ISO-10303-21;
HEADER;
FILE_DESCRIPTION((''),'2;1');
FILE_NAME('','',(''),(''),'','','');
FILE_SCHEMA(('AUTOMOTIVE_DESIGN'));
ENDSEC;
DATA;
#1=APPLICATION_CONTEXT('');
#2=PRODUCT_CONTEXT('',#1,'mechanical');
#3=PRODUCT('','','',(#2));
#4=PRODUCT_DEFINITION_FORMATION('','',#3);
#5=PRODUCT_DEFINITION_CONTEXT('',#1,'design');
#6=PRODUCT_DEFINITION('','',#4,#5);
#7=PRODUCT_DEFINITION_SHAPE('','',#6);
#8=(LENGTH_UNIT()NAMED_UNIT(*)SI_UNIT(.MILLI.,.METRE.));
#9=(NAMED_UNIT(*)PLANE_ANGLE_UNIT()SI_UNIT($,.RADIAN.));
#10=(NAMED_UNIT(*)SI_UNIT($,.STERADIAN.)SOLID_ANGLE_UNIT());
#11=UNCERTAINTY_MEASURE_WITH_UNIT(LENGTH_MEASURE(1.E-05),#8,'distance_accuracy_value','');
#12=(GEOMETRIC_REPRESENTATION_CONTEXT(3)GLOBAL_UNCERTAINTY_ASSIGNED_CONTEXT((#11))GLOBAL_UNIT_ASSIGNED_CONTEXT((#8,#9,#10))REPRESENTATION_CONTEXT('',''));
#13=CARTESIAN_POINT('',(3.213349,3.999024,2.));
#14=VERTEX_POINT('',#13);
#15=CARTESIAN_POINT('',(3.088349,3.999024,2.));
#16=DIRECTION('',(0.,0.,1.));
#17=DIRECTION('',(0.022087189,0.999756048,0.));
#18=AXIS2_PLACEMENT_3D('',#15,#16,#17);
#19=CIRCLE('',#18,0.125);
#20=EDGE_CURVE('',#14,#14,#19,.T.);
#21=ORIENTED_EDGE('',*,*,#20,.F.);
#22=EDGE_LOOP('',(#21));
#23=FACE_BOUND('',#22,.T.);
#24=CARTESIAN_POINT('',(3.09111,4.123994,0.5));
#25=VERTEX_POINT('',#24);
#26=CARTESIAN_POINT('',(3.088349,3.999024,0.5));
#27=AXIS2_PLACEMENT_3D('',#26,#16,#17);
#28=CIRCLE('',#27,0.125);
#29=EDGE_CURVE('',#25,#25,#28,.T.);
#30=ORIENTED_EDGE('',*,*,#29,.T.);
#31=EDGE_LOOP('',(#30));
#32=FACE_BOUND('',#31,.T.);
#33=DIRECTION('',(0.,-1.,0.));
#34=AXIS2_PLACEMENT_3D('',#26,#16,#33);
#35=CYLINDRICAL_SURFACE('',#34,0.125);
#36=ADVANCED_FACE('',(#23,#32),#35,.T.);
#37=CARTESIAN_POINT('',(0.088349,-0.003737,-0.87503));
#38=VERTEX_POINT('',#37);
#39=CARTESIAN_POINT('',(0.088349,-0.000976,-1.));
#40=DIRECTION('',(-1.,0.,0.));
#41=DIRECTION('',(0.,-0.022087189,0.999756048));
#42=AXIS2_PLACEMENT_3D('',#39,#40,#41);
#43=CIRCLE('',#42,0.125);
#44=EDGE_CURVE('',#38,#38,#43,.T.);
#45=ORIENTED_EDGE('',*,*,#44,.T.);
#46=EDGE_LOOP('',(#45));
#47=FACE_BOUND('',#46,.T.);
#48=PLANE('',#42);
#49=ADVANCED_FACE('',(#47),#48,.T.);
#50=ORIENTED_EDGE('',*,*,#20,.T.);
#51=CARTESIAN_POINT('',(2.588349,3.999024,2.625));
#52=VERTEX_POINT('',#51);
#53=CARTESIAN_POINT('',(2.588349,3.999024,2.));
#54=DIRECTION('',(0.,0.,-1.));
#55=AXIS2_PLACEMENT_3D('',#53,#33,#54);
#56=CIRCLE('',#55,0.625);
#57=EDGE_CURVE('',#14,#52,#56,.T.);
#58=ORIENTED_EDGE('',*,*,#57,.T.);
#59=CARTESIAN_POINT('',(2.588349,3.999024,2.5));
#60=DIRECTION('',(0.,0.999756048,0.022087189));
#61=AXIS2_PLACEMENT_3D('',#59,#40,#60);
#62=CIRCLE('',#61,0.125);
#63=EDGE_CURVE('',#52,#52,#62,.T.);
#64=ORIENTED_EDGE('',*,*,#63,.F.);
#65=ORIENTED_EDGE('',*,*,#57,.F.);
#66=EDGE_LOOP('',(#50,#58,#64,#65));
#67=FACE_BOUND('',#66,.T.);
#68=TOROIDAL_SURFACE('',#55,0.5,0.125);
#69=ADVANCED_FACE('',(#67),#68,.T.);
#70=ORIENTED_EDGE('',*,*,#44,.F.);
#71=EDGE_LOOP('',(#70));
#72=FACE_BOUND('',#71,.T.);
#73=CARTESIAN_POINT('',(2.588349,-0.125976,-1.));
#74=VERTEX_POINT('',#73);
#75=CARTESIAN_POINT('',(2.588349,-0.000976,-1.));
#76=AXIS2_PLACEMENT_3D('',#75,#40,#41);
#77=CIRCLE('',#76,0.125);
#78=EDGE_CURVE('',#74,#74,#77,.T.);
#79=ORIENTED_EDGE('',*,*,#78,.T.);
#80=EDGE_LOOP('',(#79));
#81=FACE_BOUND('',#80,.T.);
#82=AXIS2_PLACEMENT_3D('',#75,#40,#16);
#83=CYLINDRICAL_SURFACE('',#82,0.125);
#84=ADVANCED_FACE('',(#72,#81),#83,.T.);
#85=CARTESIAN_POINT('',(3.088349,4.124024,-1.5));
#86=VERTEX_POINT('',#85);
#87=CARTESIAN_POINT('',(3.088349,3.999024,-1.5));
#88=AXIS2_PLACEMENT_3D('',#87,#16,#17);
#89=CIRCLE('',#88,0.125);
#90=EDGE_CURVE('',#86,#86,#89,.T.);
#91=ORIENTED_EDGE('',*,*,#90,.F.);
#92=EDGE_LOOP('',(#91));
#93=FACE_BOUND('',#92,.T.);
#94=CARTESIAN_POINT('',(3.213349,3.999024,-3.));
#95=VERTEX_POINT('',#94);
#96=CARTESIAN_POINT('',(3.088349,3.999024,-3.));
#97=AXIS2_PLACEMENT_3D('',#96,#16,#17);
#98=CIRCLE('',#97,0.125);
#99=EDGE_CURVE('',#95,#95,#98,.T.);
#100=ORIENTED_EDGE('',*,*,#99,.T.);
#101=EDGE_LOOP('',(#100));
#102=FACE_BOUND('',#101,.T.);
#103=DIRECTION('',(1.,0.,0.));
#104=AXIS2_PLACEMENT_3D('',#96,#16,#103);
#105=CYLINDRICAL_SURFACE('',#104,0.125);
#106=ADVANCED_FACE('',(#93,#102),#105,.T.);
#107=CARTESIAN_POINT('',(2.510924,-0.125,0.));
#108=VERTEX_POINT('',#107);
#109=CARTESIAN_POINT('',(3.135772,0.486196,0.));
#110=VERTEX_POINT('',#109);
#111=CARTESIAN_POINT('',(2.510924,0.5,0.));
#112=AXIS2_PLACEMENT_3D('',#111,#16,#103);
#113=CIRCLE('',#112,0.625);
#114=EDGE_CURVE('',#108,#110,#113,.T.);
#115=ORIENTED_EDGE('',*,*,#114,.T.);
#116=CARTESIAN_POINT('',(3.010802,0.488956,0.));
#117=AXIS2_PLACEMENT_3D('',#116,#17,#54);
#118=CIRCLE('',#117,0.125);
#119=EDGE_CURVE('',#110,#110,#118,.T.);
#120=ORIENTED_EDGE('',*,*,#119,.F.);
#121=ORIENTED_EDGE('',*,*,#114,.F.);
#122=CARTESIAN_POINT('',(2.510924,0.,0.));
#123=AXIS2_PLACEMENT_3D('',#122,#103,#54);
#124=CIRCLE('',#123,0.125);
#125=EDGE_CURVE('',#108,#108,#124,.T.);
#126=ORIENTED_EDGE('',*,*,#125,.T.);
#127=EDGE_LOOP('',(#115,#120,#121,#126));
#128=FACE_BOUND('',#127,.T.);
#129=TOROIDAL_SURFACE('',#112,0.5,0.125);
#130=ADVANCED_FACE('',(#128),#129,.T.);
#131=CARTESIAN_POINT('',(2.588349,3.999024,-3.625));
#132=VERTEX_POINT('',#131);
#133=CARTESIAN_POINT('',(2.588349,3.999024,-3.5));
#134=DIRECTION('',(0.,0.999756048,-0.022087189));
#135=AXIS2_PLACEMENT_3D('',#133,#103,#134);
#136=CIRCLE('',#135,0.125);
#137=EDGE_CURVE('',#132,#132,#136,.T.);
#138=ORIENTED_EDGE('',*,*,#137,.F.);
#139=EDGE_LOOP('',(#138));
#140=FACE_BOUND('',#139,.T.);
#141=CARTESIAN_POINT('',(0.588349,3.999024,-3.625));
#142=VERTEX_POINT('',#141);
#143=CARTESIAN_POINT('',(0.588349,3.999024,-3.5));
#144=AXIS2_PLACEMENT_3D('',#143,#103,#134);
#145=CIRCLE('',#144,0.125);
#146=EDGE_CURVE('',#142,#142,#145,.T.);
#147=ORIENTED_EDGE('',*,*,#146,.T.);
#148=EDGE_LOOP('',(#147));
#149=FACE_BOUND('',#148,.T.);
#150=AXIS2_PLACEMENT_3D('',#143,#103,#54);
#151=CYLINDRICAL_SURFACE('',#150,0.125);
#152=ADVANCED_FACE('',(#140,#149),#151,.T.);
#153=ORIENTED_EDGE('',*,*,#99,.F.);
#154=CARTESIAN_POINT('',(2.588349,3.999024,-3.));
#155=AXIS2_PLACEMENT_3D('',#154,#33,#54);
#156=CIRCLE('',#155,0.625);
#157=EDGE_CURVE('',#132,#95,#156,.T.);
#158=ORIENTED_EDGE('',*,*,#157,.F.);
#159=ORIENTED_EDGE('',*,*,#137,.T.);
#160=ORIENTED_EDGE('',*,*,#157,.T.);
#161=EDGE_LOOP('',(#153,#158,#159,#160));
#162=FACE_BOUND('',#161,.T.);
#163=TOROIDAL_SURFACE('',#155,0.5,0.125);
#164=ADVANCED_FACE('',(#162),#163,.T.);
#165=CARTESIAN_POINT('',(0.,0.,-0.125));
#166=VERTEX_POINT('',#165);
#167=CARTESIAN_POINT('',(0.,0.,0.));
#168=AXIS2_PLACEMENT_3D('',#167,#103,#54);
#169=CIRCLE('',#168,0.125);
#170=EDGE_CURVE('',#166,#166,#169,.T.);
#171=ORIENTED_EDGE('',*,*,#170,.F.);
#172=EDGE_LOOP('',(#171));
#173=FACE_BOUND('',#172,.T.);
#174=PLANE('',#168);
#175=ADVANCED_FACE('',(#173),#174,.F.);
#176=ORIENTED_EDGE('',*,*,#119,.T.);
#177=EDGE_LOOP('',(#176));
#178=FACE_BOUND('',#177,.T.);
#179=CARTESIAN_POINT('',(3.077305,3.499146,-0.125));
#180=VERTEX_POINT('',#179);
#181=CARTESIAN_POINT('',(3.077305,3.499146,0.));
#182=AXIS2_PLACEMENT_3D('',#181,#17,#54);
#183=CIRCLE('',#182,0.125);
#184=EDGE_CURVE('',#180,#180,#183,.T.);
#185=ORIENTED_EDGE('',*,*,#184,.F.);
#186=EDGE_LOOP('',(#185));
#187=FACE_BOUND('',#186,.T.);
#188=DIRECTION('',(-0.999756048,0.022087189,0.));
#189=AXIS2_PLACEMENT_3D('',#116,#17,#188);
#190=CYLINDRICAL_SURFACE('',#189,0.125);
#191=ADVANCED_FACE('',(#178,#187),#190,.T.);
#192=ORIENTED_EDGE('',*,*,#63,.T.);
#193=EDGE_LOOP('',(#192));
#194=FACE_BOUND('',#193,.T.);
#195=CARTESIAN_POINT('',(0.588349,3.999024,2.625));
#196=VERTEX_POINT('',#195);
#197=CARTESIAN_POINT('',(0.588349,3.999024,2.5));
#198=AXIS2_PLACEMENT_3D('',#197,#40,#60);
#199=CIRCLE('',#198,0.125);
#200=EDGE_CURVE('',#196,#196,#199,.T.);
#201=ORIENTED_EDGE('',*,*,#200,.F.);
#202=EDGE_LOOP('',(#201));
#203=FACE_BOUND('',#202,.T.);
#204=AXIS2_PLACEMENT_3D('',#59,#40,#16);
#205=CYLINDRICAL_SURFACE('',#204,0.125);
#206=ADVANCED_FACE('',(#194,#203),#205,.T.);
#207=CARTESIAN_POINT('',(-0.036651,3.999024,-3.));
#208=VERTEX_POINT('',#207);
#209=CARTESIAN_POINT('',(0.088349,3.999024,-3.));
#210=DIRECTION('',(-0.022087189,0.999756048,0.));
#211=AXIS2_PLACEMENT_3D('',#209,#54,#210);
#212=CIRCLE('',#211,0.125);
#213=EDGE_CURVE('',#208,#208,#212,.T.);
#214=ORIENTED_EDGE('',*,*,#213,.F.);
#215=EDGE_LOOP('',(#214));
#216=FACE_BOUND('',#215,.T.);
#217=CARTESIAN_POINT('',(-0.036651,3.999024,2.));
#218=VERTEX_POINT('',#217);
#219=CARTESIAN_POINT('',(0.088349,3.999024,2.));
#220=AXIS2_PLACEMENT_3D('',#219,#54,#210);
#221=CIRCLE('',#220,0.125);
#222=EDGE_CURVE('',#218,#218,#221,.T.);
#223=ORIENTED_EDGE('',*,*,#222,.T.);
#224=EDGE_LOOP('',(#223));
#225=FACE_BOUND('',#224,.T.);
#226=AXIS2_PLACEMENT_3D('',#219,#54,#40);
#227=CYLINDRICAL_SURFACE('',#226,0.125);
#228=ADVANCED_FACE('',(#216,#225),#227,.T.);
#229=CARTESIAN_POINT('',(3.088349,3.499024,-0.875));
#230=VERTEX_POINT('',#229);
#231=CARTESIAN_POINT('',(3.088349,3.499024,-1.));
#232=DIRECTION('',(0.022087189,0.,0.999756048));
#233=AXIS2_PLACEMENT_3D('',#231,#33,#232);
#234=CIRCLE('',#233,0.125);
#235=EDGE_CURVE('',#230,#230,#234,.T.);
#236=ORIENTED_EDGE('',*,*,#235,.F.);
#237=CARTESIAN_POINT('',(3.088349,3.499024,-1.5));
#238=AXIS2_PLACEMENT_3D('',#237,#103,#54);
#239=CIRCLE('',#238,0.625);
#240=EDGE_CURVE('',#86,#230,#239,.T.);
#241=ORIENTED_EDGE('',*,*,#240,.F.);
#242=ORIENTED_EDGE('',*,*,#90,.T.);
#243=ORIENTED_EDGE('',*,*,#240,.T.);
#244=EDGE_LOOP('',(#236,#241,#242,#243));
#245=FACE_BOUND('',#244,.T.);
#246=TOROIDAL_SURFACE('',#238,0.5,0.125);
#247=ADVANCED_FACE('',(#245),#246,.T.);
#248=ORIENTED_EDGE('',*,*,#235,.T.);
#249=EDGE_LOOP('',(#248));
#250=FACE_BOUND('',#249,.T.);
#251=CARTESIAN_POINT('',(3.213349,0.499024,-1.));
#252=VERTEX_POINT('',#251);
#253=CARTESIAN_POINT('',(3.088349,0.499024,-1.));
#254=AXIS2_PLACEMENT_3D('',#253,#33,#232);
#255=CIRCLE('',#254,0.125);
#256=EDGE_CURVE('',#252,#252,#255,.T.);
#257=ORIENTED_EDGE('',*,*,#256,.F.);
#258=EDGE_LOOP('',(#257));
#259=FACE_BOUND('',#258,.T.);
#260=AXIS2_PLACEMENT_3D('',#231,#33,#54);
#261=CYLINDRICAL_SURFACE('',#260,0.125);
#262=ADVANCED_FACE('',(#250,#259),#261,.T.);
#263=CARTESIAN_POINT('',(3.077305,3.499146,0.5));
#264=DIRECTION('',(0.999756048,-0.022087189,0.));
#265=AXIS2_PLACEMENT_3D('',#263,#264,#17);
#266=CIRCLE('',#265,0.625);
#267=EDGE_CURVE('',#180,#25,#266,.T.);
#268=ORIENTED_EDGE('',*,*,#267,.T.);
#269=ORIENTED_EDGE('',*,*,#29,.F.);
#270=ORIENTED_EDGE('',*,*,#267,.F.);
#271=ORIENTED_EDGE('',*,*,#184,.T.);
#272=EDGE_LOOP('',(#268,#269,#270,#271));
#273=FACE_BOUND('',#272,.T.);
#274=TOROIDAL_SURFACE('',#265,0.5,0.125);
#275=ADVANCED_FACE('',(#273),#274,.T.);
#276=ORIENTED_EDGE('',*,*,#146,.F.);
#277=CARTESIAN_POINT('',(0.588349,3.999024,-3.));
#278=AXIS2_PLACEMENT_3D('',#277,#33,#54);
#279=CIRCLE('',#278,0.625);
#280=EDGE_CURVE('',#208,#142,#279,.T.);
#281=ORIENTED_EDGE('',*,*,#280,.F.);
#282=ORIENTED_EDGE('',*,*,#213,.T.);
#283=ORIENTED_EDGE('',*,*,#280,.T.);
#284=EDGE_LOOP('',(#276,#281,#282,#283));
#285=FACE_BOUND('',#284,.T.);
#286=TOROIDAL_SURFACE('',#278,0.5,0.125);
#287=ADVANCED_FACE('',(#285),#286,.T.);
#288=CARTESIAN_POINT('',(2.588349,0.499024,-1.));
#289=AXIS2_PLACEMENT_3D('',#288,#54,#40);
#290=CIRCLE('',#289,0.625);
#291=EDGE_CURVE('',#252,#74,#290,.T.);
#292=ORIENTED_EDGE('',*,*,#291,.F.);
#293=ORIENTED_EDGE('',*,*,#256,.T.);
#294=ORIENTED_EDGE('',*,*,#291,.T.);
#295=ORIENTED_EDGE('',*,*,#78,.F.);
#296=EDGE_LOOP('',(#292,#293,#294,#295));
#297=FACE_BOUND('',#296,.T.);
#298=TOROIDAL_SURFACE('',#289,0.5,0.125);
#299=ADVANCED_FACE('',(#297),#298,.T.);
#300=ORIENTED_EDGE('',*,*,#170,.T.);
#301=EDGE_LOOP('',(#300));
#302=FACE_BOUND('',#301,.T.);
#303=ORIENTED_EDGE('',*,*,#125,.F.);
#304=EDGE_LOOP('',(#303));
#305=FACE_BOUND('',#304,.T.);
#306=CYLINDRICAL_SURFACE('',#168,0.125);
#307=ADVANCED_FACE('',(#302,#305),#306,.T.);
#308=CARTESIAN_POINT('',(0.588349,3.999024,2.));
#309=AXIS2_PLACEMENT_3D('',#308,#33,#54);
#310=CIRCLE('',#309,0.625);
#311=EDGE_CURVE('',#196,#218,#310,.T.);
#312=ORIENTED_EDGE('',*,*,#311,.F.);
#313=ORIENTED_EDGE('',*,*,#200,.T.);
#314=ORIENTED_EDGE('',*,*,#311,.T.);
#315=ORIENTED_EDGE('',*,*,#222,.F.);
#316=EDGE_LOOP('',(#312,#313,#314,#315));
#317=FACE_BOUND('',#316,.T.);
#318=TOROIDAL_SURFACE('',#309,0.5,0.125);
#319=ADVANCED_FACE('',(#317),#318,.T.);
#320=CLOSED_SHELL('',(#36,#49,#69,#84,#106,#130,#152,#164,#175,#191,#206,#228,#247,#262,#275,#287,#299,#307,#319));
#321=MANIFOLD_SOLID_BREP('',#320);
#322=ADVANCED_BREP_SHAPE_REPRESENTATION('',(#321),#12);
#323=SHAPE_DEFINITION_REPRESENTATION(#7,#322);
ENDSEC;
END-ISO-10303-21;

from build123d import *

# Parameters (mm, degrees)
SKETCH1_R = 0.125


with BuildPart() as part:
    # Sweep1: sweep along a curve in space
    with BuildLine() as sweep1_path:
        Line((0, 0, 0), (2.510924284, 0, 0))
        ThreePointArc((2.510924284, 0, 0), (2.860551373, 0.142563434, 0), (3.010802308, 0.488956405, 0))
        Line((3.010802308, 0.488956405, 0), (3.077305162, 3.499146169, 0))
        ThreePointArc((3.077305162, 3.499146169, 0), (3.085114163, 3.85261331, 0.146446609), (3.088348757, 3.999024193, 0.5))
        Line((3.088348757, 3.999024193, 0.5), (3.088348757, 3.999024193, 2))
        ThreePointArc((3.088348757, 3.999024193, 2), (2.941902147, 3.999024193, 2.353553391), (2.588348757, 3.999024193, 2.5))
        Line((2.588348757, 3.999024193, 2.5), (0.588348757, 3.999024193, 2.5))
        ThreePointArc((0.588348757, 3.999024193, 2.5), (0.234795366, 3.999024193, 2.353553391), (0.088348757, 3.999024193, 2))
        Line((0.088348757, 3.999024193, 2), (0.088348757, 3.999024193, -3))
        ThreePointArc((0.088348757, 3.999024193, -3), (0.234795366, 3.999024193, -3.353553391), (0.588348757, 3.999024193, -3.5))
        Line((0.588348757, 3.999024193, -3.5), (2.588348757, 3.999024193, -3.5))
        ThreePointArc((2.588348757, 3.999024193, -3.5), (2.941902147, 3.999024193, -3.353553391), (3.088348757, 3.999024193, -3))
        Line((3.088348757, 3.999024193, -3), (3.088348757, 3.999024193, -1.5))
        ThreePointArc((3.088348757, 3.999024193, -1.5), (3.088348757, 3.852577584, -1.146446609), (3.088348757, 3.499024193, -1))
        Line((3.088348757, 3.499024193, -1), (3.088348757, 0.499024193, -1))
        ThreePointArc((3.088348757, 0.499024193, -1), (2.941902147, 0.145470803, -1), (2.588348757, -0.000975807, -1))
        Line((2.588348757, -0.000975807, -1), (0.088348757, -0.000975807, -1))
    # Sketch1 → Sweep1 (sweep)
    with BuildSketch(Plane(origin=(0, 0, 0), x_dir=(0, 0, -1), z_dir=(1, 0, 0))):
        Circle(SKETCH1_R)
    sweep(path=sweep1_path.line)


solid = part.part
